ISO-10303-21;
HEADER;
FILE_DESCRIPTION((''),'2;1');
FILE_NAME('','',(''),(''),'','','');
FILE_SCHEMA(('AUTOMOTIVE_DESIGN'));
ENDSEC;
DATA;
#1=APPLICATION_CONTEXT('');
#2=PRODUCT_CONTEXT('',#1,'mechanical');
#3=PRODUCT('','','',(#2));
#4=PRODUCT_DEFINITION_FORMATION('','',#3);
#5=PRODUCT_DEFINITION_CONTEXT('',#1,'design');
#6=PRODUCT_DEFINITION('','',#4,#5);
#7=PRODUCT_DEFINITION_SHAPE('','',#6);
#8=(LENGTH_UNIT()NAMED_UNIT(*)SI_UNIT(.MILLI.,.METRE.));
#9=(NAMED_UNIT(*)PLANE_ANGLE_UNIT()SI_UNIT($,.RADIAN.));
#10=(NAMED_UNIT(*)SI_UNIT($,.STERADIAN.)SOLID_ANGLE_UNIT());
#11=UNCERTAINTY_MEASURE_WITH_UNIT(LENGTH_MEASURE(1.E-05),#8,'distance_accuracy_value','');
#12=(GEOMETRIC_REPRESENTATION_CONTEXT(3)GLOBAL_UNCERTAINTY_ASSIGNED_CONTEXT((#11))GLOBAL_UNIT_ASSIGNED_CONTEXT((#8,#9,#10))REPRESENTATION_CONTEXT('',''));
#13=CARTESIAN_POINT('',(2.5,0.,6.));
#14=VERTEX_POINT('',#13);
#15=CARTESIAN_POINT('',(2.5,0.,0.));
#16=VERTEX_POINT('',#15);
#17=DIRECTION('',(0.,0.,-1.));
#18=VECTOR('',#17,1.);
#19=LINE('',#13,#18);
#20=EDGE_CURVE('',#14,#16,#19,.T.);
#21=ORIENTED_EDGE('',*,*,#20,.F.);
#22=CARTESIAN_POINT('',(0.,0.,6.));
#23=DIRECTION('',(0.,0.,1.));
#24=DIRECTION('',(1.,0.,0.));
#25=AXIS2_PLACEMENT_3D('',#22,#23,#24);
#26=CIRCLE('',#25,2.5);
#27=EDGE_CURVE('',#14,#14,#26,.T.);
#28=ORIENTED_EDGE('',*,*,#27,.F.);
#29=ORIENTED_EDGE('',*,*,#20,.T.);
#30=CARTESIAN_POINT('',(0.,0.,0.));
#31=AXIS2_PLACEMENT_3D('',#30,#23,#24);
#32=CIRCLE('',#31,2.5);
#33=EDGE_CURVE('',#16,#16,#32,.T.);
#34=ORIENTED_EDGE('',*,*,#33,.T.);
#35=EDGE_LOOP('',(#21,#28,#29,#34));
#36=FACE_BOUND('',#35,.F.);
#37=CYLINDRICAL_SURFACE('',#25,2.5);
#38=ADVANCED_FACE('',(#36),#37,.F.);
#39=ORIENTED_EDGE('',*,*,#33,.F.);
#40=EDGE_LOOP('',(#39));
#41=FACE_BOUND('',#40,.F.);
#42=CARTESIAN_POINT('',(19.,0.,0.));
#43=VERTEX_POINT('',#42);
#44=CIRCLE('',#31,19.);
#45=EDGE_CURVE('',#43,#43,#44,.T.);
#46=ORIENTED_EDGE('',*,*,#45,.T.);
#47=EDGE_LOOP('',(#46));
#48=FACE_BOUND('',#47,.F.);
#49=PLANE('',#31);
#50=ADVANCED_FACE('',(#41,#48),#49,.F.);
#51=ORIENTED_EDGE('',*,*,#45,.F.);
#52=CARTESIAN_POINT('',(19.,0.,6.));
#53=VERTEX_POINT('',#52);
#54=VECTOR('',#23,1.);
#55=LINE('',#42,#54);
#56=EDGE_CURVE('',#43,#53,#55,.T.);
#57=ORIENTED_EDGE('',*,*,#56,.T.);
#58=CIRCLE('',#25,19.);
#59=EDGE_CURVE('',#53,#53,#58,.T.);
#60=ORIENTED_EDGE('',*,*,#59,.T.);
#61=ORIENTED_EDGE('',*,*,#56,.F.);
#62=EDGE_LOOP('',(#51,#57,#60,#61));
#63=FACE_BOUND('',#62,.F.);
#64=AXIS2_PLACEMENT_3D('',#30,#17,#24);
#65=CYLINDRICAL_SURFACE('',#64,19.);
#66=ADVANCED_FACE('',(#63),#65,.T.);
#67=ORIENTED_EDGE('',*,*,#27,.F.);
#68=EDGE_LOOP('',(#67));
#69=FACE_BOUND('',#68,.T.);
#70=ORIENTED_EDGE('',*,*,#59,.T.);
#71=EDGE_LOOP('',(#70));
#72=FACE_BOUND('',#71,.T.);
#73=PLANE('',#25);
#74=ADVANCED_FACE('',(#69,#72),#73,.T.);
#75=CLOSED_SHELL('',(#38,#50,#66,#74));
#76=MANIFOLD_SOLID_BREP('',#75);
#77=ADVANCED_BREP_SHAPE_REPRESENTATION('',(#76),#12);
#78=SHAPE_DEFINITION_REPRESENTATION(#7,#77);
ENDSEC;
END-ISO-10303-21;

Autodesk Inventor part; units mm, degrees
ref_plane "YZ Plane" through (0, 0, 0) normal (1, 0, 0) x (0, 1, 0)
ref_plane "XZ Plane" through (0, 0, 0) normal (0, 1, 0) x (-1, 0, 0)
ref_plane "XY Plane" through (0, 0, 0) normal (0, 0, 1) x (1, 0, 0)
sketch "Sketch1" plane through (0, 0, 0) normal (0, 0, 1) x (1, 0, 0)
  circle A0 centre (0, 0) radius 19
  dimension "d0" = 38
extrude "Extrusion1" add sketch "Sketch1" along normal blind 6
sketch "Sketch2" plane through (0, 0, 6) normal (0, 0, 1) x (1, 0, 0)
  circle A0 centre (0, 0) radius 2.5
  dimension "d3" = 5
extrude "Extrusion2" cut sketch "Sketch2" against normal blind 6
properties part number "wheel-mockup"
